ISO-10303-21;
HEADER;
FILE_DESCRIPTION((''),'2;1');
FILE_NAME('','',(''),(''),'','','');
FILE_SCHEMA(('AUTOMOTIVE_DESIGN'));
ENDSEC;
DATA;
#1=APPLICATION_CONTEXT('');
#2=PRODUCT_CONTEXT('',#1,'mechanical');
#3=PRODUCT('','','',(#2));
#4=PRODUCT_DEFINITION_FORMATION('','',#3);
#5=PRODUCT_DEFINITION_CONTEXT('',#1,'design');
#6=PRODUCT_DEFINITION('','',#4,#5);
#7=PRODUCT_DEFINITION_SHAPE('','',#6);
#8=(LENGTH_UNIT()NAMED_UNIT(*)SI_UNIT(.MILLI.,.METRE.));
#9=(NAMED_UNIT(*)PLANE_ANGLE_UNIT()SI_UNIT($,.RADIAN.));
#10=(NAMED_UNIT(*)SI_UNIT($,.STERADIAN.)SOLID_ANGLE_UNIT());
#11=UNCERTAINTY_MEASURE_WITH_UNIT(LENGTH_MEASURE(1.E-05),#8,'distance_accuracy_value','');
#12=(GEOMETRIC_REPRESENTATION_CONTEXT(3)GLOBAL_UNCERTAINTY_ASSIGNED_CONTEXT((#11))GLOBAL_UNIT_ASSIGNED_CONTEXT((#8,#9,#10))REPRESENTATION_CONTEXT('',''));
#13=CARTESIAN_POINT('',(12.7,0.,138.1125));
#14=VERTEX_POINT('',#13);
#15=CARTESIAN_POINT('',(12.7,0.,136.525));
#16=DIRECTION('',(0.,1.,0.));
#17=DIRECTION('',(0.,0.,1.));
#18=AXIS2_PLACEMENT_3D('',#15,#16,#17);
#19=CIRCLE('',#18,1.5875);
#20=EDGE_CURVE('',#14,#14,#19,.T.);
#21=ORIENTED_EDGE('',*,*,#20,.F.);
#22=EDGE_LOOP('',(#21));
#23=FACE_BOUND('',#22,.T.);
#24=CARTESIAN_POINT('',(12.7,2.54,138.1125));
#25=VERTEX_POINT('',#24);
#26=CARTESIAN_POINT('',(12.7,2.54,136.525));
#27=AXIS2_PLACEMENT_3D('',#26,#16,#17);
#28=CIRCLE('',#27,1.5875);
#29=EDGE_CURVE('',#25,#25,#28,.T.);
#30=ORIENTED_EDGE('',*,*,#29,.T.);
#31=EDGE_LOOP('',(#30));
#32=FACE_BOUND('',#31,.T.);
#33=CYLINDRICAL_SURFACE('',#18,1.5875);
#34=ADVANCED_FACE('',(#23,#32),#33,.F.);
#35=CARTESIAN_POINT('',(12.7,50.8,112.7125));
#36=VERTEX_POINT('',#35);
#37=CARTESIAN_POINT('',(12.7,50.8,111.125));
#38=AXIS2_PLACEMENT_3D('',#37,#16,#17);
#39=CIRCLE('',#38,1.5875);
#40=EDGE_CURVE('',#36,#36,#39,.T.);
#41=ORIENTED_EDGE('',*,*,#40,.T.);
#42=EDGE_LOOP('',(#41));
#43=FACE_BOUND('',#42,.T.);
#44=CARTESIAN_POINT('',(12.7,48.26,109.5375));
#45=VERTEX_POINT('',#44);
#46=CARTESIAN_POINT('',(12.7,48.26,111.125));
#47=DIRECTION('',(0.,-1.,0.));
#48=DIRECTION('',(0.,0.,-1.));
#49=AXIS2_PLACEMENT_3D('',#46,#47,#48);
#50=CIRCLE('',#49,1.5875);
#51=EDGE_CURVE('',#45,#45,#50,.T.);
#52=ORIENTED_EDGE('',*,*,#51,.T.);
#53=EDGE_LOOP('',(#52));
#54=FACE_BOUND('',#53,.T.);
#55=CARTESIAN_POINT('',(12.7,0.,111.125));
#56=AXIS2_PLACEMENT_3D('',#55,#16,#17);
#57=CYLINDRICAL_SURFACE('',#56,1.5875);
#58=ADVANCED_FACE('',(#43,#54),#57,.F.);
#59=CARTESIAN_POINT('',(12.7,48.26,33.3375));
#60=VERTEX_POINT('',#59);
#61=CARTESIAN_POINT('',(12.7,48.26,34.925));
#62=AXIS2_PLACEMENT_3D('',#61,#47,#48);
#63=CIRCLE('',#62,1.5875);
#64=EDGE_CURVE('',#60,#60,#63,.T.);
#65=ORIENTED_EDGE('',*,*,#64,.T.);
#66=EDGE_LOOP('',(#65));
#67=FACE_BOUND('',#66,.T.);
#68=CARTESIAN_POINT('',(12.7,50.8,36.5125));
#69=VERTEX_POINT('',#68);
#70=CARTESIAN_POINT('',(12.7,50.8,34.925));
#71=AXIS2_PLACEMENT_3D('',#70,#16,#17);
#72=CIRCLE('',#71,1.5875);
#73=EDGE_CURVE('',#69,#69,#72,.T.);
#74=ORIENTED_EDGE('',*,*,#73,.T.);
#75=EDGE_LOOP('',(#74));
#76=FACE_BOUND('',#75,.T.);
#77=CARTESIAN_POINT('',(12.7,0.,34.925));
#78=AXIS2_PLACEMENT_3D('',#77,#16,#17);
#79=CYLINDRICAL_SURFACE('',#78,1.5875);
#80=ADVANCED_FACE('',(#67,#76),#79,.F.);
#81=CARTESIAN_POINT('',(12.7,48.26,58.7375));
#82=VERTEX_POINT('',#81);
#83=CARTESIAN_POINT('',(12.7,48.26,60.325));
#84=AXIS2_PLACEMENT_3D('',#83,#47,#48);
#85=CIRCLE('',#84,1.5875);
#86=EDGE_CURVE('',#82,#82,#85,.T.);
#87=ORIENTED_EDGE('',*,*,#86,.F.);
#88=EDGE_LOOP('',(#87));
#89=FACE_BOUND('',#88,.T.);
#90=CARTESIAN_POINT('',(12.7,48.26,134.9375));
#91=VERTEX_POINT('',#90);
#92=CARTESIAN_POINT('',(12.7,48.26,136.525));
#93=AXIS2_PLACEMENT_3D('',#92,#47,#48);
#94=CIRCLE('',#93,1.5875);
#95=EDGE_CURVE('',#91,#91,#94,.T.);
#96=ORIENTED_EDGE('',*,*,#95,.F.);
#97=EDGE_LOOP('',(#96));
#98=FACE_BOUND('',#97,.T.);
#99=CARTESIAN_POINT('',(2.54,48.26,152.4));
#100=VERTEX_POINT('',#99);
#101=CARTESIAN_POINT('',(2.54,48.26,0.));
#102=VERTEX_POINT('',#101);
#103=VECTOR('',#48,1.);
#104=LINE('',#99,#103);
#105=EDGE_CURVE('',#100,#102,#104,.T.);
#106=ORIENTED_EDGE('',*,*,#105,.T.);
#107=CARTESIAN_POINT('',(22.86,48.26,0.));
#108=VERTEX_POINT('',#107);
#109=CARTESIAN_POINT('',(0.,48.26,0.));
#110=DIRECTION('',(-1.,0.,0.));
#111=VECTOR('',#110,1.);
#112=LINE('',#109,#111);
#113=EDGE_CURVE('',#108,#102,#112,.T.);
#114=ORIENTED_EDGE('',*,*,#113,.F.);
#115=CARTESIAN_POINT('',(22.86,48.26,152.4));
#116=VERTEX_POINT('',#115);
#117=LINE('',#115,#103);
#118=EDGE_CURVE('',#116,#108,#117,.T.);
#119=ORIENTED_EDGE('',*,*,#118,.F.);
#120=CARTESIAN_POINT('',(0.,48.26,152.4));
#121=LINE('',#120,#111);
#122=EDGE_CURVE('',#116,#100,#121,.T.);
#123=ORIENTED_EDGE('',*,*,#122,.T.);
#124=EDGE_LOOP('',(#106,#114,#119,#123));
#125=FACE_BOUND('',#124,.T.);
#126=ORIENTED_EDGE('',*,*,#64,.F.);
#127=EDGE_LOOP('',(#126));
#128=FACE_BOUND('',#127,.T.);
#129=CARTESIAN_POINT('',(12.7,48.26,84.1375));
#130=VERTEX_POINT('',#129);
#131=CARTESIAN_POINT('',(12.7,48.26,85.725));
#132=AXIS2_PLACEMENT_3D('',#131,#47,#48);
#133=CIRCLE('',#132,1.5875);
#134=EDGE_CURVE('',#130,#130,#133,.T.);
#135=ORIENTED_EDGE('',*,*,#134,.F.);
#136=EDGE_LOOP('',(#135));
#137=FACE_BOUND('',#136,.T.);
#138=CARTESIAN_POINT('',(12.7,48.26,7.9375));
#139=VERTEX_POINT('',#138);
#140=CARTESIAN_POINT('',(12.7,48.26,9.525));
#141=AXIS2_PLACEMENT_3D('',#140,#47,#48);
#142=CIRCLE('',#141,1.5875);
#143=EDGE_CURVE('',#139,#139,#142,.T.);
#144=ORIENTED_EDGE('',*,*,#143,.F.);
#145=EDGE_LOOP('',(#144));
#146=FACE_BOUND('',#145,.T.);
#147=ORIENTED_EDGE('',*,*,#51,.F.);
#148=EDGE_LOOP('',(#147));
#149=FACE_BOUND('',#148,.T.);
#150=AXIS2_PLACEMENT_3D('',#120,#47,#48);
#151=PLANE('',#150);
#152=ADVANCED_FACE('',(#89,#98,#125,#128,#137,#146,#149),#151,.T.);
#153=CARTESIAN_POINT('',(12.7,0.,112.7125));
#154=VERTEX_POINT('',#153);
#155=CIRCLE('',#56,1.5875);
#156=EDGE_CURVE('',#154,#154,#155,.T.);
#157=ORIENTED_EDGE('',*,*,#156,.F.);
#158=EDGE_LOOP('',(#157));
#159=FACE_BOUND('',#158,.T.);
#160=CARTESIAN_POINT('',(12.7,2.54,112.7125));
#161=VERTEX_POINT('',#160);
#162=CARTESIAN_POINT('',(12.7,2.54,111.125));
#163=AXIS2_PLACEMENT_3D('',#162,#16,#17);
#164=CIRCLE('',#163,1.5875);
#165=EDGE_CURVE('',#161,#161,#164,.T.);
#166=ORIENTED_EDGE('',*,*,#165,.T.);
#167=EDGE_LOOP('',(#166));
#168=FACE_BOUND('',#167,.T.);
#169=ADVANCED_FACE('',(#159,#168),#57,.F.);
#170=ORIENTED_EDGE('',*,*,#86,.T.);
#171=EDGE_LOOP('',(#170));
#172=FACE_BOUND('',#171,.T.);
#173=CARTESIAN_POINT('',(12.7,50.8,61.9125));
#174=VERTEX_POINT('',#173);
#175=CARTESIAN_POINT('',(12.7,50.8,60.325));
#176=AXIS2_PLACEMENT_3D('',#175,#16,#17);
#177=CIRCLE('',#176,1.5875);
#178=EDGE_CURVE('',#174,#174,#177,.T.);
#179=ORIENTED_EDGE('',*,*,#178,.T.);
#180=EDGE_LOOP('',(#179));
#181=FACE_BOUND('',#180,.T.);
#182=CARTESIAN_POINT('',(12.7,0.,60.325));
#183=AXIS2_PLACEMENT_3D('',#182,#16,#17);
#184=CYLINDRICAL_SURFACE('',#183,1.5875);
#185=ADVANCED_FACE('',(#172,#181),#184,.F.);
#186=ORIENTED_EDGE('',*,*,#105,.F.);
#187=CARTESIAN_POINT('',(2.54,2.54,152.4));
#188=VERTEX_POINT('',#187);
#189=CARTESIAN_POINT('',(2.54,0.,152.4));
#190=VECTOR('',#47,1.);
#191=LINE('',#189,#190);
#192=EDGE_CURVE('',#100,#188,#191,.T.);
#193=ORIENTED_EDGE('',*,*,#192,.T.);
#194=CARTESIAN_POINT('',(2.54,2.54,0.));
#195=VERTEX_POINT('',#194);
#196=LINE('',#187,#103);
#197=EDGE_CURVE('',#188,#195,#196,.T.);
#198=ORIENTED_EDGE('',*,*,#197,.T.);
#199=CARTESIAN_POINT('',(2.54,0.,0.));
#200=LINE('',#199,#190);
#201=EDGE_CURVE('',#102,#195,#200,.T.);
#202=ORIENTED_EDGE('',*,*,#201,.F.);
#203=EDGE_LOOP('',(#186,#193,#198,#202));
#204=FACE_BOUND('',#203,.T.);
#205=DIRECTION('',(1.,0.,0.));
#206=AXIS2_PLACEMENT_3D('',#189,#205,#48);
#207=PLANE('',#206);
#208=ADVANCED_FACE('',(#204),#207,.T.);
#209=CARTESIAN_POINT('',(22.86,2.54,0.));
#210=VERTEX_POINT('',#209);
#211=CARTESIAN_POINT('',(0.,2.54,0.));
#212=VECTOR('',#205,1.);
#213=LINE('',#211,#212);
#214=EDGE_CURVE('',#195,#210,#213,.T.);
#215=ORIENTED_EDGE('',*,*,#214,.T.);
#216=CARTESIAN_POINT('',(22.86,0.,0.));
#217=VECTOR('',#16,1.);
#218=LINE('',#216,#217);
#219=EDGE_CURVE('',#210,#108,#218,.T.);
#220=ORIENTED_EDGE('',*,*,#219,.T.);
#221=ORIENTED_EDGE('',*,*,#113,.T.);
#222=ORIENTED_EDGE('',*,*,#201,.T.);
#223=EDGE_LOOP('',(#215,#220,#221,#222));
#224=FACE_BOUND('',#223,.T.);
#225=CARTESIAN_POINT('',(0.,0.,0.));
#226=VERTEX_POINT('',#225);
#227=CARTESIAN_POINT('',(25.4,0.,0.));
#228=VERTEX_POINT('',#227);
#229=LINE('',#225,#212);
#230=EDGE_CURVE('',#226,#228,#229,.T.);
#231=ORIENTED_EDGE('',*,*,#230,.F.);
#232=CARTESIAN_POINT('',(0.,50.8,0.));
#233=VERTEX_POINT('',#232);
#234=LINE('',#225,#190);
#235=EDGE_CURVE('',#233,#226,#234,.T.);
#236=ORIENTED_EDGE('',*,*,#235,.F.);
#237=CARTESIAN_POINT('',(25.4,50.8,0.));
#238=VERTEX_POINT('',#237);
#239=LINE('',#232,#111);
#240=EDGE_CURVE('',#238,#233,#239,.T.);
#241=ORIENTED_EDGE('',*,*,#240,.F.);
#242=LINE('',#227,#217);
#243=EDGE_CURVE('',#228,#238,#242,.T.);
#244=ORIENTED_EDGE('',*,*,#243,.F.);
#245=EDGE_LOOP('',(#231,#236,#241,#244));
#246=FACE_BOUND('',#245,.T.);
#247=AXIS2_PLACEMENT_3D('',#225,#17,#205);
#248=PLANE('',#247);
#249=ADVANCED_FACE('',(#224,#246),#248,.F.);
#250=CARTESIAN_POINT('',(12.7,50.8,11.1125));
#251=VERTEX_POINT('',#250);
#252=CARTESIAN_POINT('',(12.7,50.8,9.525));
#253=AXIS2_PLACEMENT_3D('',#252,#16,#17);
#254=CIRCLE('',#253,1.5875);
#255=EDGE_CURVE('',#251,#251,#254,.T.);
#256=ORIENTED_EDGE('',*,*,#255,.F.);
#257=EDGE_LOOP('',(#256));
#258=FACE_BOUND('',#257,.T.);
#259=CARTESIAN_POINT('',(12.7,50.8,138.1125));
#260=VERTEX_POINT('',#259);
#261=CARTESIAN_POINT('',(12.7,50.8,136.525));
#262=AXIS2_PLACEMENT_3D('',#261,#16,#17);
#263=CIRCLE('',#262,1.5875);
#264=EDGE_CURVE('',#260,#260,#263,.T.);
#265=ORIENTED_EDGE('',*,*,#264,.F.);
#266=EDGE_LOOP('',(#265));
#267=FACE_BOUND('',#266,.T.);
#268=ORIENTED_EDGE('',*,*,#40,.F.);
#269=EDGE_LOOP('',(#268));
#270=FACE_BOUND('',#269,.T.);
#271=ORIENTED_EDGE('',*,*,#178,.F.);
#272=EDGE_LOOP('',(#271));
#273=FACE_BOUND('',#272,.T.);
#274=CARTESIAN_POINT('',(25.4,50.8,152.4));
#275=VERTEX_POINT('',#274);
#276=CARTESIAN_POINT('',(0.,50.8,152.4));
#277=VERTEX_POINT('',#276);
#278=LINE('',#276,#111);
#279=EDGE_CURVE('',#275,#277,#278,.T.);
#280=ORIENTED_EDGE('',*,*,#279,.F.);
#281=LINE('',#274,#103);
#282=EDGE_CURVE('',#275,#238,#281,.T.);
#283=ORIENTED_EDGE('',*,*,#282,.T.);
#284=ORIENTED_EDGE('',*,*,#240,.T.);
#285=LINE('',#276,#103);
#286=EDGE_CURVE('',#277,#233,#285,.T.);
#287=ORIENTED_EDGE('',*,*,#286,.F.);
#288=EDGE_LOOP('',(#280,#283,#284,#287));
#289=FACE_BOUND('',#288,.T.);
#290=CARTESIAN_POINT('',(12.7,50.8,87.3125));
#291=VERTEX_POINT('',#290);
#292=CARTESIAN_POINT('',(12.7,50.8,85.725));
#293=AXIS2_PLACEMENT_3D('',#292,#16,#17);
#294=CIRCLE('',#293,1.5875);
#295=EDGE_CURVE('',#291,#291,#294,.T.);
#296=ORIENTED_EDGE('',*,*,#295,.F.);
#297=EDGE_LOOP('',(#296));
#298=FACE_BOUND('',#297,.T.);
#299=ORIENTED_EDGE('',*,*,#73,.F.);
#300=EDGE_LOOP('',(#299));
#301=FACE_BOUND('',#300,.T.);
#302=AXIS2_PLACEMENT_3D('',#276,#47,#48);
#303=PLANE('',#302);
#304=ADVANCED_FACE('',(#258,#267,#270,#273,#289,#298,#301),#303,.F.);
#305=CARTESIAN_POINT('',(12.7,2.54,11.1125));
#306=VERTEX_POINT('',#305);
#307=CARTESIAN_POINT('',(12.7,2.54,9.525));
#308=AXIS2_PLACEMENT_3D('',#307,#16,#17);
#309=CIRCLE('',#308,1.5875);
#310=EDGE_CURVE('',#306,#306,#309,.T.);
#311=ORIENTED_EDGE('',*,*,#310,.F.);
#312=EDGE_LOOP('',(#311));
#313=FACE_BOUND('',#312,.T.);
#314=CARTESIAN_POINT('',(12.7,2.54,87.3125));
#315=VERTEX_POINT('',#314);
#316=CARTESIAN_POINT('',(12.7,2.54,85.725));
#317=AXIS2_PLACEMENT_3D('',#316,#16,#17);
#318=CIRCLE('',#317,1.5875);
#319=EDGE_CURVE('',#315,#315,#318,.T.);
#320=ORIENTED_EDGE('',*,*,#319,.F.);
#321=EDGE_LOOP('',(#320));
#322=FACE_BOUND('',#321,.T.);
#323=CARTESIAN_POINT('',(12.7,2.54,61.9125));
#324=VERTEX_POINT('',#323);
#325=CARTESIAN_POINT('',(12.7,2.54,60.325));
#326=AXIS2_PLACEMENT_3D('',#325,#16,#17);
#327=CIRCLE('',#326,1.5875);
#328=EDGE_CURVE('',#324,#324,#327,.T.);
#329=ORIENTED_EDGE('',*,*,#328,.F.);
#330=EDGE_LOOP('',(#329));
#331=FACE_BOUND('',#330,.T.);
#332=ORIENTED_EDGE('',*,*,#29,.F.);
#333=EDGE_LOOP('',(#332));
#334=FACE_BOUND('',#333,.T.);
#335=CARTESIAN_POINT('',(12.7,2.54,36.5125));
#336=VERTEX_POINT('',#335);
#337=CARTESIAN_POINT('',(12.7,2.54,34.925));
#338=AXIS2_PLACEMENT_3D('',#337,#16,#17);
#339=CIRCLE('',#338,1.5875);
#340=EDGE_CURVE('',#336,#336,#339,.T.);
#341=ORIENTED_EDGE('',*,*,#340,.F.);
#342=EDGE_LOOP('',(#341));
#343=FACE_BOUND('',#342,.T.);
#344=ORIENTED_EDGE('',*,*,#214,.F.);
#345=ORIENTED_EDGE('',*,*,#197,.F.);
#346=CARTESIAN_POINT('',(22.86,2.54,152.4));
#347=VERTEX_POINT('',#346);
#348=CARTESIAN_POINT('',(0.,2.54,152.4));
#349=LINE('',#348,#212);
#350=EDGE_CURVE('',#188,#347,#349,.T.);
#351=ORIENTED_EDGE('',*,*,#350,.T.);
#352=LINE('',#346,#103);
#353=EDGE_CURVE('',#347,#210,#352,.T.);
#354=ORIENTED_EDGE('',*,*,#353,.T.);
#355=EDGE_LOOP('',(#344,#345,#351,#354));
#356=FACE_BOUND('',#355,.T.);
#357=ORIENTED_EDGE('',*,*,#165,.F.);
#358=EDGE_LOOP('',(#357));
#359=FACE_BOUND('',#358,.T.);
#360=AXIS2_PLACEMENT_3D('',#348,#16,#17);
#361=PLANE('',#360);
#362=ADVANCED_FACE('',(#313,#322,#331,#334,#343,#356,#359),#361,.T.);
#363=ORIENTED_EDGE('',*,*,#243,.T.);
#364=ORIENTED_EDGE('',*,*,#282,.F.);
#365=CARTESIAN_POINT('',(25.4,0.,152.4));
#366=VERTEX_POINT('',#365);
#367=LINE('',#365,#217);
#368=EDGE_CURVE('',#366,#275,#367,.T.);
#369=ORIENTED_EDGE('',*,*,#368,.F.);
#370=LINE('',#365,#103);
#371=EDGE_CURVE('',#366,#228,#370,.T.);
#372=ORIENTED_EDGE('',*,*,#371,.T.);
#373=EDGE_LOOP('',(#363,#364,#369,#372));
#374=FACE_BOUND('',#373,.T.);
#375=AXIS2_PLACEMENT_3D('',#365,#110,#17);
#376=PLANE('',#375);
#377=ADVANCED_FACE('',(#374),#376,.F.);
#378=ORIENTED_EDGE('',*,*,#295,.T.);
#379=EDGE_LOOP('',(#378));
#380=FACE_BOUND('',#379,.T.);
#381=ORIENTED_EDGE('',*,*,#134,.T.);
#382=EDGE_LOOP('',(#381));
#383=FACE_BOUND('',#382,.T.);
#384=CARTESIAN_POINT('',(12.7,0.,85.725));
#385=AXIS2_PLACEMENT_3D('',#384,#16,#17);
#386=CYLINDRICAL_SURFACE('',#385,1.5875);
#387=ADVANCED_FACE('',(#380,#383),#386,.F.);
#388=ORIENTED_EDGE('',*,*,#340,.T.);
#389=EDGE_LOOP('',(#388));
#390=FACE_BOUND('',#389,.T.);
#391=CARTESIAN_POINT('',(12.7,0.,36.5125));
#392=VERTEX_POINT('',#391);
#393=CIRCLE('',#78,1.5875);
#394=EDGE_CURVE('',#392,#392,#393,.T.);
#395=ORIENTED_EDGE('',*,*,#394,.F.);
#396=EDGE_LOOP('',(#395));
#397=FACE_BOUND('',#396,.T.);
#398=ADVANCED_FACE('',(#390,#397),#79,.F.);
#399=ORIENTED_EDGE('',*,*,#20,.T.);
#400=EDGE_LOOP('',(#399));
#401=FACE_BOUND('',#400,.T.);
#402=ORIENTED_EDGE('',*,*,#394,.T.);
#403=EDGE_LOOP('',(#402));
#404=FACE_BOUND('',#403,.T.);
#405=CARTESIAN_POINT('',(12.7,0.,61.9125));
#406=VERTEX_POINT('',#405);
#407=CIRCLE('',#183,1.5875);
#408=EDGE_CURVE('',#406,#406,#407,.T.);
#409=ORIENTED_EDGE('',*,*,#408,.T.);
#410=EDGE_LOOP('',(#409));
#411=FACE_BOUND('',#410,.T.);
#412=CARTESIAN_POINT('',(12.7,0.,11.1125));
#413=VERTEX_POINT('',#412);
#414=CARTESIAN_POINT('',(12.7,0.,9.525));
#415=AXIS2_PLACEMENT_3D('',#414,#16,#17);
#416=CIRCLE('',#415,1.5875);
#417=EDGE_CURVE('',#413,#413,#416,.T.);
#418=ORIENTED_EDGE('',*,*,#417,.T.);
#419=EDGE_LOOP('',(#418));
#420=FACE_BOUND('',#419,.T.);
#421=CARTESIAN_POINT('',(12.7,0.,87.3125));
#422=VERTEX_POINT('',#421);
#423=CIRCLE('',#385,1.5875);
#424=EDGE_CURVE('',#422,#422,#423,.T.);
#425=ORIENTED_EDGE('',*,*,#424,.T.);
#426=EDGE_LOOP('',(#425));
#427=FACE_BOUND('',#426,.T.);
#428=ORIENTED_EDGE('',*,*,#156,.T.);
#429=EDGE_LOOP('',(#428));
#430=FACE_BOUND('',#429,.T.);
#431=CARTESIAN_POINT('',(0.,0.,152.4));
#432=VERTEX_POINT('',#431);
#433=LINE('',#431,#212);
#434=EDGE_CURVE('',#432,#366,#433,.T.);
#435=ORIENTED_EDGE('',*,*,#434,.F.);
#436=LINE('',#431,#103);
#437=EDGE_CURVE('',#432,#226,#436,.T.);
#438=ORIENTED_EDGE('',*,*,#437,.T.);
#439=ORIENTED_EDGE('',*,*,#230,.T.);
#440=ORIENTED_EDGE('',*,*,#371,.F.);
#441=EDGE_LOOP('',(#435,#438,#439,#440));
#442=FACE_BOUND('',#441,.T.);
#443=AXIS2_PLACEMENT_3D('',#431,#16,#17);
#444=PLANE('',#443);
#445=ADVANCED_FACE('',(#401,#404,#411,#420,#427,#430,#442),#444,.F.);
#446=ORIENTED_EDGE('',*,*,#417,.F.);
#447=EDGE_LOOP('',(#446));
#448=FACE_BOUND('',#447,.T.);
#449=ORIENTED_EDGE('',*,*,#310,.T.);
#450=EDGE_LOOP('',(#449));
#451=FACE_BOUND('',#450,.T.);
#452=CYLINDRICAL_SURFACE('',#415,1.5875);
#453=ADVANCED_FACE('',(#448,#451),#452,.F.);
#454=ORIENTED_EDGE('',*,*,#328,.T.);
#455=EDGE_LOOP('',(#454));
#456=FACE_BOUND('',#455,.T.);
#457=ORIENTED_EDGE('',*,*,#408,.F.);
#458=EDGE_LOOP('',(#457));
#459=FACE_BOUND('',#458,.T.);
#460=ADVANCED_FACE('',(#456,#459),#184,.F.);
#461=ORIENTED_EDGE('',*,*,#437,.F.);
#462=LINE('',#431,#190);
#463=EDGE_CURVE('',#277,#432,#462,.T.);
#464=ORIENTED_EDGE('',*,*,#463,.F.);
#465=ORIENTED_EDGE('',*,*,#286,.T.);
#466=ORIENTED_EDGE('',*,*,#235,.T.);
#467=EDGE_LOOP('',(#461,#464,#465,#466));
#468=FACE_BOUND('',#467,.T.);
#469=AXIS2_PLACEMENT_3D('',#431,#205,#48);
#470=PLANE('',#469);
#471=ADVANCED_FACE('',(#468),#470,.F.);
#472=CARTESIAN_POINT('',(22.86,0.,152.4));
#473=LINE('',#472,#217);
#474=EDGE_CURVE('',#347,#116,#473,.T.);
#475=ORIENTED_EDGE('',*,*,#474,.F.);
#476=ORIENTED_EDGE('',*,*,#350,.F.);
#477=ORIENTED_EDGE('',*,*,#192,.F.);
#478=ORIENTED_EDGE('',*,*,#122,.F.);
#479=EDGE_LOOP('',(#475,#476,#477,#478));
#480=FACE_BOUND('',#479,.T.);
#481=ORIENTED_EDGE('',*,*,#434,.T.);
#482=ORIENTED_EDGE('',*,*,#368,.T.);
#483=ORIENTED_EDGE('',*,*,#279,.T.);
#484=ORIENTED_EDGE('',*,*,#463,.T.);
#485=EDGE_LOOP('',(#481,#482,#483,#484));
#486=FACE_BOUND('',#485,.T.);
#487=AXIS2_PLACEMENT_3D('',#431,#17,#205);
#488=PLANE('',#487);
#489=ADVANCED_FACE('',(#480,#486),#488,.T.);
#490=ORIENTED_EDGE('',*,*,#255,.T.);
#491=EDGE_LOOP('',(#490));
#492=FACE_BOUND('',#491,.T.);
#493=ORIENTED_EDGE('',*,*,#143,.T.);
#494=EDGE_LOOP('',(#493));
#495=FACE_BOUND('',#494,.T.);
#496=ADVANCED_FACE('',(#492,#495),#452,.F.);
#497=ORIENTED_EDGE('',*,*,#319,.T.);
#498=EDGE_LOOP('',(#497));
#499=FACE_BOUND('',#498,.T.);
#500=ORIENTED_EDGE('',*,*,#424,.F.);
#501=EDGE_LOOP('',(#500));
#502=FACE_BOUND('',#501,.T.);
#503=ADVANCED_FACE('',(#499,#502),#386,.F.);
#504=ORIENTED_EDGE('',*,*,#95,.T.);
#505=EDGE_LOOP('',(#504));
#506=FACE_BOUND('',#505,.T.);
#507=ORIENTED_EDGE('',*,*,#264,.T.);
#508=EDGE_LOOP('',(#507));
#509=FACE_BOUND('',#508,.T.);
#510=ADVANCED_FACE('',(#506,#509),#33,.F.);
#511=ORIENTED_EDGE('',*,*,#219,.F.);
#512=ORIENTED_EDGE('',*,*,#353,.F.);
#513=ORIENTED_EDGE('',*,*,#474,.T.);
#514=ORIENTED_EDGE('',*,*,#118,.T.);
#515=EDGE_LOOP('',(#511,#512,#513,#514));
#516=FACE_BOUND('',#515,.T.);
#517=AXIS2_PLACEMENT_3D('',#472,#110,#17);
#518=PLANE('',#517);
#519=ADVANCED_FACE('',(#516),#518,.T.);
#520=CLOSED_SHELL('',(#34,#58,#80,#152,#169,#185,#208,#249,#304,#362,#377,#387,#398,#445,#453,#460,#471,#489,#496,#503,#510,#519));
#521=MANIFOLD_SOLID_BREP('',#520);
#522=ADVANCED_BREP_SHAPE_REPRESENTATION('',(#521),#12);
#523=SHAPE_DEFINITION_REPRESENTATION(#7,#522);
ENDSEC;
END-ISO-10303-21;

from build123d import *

# Parameters (mm, degrees)
SKETCH1_W           = 25.4
SKETCH1_H           = 50.8
SKETCH1_W_2         = 20.32
SKETCH1_H_2         = 45.72
EXTRUDE_THIN1_DEPTH = 152.4
SKETCH2_R           = 1.5875
CUT_EXTRUDE1_DEPTH  = 51.8
LPATTERN1_COUNT     = 50
LPATTERN1_PITCH     = 25.4


with BuildPart() as part:
    # Sketch1 → Extrude-Thin1 (new body)
    with BuildSketch(Plane.XY):
        with Locations((12.7, 25.4)):
            Rectangle(SKETCH1_W, SKETCH1_H)
        with Locations((12.7, 25.4)):
            Rectangle(SKETCH1_W_2, SKETCH1_H_2, mode=Mode.SUBTRACT)
    extrude(amount=EXTRUDE_THIN1_DEPTH)

    # Sketch2 → Cut-Extrude1 (cut, through all)
    with BuildSketch(Plane(origin=(0, 50.8, 0), x_dir=(1, 0, 0), z_dir=(0, 1, 0))):
        with Locations((12.7, -136.525)):
            Circle(SKETCH2_R)
    cut_extrude1 = extrude(amount=-CUT_EXTRUDE1_DEPTH, mode=Mode.SUBTRACT)

    # LPattern1: Cut-Extrude1 ×50
    with Locations(*[(0, 0, -i * LPATTERN1_PITCH) for i in range(1, LPATTERN1_COUNT)]):
        add(cut_extrude1, mode=Mode.SUBTRACT)


solid = part.part
